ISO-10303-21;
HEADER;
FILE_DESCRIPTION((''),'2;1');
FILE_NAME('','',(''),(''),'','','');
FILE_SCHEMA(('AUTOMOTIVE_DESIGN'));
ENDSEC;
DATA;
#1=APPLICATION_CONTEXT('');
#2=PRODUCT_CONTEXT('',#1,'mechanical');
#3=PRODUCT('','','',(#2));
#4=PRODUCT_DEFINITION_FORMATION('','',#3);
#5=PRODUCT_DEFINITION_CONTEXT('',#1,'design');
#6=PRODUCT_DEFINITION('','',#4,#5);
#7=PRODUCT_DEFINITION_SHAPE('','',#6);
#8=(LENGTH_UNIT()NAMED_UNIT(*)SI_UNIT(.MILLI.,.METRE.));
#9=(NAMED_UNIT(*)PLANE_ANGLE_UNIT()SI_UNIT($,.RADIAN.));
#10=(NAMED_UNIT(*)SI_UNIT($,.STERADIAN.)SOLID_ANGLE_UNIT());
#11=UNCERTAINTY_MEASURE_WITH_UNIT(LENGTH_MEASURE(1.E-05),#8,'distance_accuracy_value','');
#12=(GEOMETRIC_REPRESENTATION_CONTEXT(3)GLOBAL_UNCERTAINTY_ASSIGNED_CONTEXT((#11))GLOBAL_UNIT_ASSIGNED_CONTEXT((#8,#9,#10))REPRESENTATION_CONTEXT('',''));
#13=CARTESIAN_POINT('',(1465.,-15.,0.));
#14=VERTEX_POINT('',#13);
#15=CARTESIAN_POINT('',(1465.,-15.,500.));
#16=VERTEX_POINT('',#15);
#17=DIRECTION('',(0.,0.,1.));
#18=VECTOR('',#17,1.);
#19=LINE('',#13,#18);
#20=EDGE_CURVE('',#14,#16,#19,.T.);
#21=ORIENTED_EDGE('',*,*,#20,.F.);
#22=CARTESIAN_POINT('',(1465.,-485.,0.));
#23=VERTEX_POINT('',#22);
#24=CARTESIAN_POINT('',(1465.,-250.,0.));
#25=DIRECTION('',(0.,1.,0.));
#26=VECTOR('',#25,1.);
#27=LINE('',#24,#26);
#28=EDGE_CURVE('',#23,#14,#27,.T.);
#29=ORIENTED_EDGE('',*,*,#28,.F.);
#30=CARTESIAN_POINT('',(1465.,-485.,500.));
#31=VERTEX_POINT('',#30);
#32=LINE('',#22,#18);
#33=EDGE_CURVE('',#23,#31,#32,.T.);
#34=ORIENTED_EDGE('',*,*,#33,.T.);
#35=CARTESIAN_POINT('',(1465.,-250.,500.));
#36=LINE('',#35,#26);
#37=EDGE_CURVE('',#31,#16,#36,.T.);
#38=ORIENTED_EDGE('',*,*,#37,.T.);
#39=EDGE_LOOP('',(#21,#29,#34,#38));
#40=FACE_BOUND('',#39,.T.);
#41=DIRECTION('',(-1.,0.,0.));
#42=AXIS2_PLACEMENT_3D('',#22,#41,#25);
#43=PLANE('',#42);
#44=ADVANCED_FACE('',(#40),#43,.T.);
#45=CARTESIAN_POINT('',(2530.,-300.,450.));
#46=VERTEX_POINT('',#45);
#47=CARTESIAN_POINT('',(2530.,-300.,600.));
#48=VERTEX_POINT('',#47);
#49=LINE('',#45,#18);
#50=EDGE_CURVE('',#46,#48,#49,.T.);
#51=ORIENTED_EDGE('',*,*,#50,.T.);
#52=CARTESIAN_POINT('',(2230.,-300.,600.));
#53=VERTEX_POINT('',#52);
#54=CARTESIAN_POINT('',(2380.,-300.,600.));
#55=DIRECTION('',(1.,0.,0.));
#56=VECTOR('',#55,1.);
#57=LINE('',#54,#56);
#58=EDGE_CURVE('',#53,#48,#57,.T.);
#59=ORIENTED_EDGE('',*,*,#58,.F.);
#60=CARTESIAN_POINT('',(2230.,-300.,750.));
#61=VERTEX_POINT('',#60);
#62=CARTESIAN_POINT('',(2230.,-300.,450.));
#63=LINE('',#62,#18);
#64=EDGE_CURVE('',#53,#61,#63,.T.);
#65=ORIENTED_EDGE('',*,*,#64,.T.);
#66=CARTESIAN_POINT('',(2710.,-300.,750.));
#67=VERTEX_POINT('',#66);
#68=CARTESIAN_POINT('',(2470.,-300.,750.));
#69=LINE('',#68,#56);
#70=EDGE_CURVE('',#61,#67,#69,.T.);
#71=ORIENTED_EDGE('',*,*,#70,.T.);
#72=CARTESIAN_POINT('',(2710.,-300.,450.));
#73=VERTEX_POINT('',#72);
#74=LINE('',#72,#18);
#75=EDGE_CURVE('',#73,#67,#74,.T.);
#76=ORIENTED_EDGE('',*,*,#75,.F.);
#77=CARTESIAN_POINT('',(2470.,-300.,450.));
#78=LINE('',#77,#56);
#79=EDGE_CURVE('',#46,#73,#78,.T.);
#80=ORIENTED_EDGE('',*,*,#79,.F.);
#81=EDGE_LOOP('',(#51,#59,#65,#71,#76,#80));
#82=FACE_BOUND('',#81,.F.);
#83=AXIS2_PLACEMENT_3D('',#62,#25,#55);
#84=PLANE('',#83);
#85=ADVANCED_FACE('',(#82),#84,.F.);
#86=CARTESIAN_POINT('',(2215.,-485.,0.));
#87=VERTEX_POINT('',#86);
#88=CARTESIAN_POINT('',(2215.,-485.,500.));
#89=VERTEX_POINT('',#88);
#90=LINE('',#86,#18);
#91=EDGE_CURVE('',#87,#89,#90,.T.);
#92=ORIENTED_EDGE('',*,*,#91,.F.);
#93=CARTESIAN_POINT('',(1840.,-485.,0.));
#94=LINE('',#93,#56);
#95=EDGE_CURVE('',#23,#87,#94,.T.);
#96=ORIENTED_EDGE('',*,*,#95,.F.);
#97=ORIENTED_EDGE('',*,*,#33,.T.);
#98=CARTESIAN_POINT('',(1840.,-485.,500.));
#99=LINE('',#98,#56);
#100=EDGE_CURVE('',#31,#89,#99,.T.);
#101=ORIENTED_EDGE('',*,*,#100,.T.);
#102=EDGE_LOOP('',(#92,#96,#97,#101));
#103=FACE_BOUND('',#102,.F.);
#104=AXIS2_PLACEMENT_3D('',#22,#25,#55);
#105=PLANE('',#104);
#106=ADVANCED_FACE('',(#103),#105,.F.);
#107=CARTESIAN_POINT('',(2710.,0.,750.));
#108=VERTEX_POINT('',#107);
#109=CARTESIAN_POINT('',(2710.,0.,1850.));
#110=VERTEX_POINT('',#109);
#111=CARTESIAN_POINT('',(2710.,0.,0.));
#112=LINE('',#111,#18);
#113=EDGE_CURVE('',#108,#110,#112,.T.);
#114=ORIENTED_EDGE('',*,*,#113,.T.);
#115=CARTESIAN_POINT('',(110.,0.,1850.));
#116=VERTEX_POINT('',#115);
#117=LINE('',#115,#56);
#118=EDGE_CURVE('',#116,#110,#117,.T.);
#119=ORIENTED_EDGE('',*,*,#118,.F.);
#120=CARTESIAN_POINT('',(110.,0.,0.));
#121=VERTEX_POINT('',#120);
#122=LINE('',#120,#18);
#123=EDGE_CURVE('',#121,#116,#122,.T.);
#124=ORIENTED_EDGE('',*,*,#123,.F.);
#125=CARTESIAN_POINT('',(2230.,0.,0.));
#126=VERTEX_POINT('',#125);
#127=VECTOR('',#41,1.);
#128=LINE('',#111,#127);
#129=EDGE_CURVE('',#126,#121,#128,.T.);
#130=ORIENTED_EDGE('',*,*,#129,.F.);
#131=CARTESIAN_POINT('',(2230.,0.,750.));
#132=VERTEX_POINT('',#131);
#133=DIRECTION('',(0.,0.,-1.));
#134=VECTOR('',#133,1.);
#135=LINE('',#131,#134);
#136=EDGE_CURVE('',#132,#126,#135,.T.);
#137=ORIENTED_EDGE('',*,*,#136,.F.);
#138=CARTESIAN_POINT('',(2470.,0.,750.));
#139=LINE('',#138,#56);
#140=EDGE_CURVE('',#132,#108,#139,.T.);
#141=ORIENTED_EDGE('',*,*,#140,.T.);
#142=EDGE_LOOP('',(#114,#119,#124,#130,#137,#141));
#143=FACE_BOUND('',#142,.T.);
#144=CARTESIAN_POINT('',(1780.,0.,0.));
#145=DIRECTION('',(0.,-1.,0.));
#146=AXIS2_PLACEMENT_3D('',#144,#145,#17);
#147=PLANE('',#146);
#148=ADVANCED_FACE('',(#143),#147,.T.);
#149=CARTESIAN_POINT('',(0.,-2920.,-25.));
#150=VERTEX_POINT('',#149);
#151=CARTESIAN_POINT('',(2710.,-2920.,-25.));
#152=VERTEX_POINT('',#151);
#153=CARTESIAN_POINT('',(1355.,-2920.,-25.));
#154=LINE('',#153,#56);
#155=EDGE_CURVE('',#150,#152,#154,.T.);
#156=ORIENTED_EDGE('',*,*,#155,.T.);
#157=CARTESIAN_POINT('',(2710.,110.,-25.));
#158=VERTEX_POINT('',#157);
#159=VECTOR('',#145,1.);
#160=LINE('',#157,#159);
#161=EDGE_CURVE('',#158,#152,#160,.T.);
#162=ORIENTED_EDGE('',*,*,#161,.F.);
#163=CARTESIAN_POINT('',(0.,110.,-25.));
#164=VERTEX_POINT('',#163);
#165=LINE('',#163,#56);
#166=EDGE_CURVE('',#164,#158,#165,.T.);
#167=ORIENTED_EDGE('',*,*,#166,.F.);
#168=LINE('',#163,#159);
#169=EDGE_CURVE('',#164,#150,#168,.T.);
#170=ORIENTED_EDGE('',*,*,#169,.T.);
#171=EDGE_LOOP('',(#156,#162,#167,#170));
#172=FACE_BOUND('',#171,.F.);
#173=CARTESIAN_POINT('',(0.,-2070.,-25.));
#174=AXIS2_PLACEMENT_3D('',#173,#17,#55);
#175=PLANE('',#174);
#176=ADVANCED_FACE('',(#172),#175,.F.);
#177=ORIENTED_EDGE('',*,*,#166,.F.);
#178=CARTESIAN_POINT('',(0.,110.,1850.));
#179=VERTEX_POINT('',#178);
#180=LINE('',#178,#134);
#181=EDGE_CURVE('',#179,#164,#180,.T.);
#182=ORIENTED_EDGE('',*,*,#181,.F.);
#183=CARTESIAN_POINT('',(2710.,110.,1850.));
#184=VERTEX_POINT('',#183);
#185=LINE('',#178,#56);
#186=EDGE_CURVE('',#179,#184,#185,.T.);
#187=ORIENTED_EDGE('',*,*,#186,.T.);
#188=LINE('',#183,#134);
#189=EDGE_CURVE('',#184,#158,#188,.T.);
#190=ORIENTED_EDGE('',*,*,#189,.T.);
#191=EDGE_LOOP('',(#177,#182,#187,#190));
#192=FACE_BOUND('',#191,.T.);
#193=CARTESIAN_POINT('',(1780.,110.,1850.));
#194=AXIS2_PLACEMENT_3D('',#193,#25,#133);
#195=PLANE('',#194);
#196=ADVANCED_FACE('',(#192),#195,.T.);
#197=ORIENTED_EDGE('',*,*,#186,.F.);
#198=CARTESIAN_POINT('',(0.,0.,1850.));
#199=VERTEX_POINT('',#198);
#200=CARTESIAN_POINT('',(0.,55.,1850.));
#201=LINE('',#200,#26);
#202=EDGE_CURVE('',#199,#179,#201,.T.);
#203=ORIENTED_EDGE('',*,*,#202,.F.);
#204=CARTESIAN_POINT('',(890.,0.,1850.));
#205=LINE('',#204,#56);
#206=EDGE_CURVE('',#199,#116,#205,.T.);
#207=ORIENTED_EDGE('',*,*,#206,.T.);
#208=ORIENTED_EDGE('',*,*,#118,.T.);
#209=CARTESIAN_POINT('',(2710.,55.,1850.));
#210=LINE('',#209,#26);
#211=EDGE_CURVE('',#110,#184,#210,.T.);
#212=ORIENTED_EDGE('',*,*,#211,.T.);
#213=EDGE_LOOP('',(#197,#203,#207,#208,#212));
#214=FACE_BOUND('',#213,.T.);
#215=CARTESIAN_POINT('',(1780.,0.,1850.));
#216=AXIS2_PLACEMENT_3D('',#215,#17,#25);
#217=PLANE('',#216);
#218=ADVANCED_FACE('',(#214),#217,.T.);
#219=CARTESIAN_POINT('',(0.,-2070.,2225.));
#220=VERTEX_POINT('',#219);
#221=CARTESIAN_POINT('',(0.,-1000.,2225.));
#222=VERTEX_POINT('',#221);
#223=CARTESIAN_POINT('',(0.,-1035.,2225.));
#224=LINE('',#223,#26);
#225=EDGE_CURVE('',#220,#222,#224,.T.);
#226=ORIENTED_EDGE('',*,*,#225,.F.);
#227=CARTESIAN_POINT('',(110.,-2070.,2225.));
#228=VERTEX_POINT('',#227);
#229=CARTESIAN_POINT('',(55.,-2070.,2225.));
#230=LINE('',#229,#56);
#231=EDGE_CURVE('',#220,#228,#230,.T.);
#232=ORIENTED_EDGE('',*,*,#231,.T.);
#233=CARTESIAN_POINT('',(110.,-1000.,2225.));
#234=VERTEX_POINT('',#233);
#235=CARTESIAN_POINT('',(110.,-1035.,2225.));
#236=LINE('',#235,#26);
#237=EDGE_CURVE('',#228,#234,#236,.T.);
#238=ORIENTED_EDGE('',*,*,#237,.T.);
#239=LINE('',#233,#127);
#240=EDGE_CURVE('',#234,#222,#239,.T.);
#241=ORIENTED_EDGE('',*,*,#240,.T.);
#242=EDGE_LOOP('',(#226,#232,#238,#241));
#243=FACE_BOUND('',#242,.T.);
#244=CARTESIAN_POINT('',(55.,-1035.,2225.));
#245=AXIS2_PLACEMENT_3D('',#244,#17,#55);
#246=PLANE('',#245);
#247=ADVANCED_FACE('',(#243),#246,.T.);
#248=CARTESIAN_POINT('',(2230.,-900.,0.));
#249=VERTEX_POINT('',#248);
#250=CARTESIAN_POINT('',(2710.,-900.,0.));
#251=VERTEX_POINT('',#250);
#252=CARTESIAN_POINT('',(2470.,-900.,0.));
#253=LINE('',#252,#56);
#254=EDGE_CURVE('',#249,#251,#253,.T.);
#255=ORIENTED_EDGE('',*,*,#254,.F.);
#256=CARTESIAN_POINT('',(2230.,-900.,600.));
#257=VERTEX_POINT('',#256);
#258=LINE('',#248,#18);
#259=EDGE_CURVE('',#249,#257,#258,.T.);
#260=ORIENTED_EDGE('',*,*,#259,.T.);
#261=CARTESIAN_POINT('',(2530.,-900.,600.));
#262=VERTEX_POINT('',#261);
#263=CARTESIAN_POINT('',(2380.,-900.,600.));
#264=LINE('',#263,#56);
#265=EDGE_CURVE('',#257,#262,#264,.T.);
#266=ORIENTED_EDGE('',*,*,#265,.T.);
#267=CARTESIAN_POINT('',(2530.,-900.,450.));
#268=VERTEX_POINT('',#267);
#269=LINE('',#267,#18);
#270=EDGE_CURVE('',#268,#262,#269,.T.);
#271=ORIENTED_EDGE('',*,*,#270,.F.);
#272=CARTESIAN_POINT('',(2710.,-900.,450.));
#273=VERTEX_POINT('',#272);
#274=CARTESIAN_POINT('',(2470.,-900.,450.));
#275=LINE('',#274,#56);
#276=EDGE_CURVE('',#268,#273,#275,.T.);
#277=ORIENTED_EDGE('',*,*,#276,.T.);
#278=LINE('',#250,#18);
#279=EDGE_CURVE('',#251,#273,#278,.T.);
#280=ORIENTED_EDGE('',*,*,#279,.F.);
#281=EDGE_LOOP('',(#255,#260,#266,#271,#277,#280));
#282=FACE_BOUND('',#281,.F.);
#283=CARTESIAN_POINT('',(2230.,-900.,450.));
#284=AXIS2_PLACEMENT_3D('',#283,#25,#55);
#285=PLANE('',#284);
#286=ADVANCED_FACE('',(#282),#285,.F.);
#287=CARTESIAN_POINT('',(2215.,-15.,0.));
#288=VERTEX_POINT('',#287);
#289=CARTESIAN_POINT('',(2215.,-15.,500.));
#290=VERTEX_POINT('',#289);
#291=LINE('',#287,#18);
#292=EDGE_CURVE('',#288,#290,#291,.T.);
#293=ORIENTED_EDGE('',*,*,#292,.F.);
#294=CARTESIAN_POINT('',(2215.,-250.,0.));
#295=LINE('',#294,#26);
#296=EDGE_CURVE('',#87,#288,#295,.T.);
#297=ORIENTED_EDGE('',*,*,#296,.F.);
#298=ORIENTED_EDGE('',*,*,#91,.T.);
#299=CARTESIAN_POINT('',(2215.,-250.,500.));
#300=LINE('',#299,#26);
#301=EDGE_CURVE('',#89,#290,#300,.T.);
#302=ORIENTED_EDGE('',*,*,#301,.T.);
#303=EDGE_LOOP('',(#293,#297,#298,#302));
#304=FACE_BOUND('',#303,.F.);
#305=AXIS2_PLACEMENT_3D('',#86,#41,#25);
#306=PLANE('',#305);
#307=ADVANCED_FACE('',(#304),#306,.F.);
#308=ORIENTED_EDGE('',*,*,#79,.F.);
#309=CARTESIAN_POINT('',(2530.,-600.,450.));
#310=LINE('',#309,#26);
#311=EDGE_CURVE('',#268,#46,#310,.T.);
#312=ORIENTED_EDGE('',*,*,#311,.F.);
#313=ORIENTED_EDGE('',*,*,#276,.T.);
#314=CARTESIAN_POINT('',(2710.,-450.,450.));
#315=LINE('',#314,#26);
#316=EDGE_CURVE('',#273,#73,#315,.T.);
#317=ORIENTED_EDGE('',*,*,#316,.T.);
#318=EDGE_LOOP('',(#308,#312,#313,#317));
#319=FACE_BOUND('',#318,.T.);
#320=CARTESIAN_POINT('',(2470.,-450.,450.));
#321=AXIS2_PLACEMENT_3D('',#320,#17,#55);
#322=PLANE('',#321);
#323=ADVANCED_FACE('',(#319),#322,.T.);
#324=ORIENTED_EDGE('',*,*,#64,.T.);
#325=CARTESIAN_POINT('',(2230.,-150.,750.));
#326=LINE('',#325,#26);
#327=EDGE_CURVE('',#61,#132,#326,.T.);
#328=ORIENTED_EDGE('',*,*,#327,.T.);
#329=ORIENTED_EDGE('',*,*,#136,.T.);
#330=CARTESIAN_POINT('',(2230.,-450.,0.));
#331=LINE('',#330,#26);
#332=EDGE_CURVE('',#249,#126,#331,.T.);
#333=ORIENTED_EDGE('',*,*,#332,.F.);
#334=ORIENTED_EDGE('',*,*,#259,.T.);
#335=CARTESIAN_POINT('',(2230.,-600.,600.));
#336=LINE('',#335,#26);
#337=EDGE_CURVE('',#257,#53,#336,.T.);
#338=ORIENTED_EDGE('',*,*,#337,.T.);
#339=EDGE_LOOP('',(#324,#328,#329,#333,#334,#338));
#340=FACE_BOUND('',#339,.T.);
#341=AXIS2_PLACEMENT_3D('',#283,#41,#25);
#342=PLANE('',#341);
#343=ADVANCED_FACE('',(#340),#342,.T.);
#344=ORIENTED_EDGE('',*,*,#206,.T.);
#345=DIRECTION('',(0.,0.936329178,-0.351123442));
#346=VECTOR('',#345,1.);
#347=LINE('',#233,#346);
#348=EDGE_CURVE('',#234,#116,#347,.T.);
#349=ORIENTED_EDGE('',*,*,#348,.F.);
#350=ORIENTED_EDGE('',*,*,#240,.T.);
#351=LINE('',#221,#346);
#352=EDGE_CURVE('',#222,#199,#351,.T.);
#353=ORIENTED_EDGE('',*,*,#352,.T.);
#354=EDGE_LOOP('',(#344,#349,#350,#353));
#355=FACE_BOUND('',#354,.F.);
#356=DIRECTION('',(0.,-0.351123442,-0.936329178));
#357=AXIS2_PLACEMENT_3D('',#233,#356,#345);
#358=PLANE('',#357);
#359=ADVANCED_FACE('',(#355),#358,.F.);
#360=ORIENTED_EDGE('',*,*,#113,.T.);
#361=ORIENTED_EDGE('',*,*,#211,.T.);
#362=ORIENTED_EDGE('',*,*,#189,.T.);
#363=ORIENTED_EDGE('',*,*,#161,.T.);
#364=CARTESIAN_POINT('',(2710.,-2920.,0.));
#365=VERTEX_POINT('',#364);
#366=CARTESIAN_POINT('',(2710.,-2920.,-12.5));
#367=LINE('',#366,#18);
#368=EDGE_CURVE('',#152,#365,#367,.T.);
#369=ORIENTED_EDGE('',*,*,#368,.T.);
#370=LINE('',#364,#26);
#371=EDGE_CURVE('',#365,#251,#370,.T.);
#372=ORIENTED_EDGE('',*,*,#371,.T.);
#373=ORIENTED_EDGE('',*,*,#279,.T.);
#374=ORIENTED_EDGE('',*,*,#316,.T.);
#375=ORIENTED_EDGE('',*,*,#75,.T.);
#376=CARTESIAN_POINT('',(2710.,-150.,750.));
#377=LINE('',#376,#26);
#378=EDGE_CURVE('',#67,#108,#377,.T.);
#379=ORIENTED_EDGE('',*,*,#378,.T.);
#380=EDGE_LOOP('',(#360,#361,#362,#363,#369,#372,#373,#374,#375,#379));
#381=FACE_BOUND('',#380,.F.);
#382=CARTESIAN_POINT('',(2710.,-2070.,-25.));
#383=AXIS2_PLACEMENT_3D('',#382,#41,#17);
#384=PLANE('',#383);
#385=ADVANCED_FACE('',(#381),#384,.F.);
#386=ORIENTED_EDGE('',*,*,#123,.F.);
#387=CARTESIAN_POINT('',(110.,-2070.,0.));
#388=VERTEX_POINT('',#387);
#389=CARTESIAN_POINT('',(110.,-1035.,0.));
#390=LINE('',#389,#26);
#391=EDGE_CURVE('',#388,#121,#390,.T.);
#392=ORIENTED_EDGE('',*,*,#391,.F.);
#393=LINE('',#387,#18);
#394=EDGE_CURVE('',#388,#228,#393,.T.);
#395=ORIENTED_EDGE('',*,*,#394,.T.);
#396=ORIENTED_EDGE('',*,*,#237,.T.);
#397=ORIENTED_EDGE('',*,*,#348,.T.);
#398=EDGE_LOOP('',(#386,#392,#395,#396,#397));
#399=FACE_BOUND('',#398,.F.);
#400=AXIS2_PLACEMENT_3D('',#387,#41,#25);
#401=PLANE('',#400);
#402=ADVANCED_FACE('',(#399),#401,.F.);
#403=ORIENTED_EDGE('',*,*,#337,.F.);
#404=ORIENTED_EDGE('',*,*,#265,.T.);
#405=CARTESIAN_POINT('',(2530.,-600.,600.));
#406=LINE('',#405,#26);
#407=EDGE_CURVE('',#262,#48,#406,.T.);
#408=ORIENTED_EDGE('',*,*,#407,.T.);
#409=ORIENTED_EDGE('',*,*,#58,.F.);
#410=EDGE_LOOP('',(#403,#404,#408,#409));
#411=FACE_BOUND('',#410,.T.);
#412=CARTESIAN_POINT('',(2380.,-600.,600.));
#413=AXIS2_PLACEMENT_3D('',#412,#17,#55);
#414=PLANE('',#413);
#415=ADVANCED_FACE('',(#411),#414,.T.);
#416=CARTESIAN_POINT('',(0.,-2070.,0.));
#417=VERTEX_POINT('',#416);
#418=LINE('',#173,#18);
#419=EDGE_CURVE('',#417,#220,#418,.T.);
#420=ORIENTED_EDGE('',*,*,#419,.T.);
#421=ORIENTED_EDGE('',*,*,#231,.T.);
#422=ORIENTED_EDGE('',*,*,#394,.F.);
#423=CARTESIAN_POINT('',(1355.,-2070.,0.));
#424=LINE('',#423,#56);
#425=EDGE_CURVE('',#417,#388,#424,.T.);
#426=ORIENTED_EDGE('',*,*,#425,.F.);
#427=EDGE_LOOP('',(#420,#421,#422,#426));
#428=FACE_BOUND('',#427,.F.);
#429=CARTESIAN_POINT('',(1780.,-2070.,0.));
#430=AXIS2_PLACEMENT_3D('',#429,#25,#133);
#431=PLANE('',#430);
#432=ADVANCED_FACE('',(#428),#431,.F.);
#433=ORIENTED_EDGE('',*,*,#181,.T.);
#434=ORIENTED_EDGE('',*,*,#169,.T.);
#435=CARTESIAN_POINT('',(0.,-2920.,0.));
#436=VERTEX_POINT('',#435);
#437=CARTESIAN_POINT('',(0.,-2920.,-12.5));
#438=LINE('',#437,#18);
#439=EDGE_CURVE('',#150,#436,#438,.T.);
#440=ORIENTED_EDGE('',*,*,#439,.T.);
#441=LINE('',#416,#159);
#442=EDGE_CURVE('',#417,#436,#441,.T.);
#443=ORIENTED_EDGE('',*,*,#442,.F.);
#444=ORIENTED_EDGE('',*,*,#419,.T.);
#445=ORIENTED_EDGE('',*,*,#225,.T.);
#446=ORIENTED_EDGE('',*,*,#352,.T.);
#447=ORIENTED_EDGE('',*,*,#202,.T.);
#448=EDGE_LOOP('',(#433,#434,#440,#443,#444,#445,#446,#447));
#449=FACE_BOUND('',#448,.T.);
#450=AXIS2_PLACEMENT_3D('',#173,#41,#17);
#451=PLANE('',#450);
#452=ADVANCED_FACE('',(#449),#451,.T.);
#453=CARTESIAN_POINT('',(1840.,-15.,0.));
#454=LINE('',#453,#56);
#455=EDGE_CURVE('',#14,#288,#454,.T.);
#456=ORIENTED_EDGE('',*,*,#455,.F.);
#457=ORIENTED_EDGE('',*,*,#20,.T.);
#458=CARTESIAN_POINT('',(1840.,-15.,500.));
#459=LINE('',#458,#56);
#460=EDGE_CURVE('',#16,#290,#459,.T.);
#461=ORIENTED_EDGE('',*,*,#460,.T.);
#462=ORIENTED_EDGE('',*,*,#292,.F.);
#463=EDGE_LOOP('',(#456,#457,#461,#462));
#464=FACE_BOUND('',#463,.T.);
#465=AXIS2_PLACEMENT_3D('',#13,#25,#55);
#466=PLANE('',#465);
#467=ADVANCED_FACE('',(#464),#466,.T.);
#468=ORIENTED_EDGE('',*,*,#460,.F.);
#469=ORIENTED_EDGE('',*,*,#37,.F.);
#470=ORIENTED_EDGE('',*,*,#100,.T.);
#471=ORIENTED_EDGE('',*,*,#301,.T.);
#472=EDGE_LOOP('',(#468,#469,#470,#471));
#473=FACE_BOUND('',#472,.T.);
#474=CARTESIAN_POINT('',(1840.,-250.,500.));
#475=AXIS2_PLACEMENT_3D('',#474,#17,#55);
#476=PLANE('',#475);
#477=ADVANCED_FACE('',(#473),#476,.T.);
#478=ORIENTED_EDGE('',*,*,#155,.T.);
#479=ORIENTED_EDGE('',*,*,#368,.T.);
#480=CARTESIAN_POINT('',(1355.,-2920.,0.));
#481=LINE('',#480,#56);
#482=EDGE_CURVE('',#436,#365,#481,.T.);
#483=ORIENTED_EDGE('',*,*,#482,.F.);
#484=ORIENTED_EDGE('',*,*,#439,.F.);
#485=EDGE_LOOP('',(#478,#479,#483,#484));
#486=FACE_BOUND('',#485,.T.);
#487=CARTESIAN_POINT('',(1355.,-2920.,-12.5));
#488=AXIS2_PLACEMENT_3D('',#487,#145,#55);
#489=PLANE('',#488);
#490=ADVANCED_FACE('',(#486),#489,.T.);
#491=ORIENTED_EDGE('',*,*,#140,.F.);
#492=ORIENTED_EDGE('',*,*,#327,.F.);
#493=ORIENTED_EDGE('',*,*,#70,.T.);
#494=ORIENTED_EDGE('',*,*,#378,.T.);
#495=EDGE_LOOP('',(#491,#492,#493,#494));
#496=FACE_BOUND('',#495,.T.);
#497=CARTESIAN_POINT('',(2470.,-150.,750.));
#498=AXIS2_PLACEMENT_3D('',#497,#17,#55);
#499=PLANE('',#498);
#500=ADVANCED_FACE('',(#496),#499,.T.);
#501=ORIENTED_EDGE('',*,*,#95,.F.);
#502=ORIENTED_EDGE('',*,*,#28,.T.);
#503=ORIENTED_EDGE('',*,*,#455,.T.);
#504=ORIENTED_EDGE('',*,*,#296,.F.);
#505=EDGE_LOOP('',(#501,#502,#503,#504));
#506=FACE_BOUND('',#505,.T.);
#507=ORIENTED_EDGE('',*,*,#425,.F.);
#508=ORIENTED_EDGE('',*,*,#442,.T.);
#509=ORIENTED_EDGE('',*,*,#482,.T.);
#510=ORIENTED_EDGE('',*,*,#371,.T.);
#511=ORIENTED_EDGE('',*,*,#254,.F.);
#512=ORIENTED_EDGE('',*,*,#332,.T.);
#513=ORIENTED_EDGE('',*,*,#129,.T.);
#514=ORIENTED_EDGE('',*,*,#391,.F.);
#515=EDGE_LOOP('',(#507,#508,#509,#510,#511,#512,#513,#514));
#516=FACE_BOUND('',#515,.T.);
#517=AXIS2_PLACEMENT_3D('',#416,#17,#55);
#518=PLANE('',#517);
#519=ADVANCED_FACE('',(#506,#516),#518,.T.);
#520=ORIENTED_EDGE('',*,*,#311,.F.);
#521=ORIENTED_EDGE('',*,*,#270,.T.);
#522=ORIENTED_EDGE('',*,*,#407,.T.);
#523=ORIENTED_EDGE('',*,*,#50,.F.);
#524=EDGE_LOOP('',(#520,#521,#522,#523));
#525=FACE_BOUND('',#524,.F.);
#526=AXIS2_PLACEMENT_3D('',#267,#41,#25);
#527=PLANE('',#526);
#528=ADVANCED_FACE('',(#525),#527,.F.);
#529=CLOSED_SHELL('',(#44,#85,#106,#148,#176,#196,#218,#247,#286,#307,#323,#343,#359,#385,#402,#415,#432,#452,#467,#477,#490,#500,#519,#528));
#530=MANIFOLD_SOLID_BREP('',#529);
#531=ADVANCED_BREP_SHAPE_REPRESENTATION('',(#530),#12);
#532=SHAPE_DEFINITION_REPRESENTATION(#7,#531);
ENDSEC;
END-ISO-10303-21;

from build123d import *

# Parameters (mm, degrees)
F0_W      = 110
F0_H      = 2070
F1_DEPTH  = 2225
F2_W      = 1780
F2_H      = 110
F3_DEPTH  = 1850
F5_DEPTH  = 110
F6_W      = 1780
F6_H      = 2180
F7_DEPTH  = 25
F8_DEPTH  = 930
F9_W      = 480
F9_H      = 900
F10_DEPTH = 450
F11_W     = 480
F11_H     = 300
F12_DEPTH = 300
F13_W     = 300
F13_H     = 600
F14_DEPTH = 150
F15_W     = 750
F15_H     = 470
F16_DEPTH = 500
F17_W     = 2710
F17_H     = 25
F18_DEPTH = 850


with BuildPart() as f1:
    # F0 (on Top) → F1 (new body)
    with BuildSketch(Plane.XY):
        with Locations((55, -1035)):
            Rectangle(F0_W, F0_H)
    extrude(amount=F1_DEPTH)

    # F2 (on Top) → F3 (join)
    with BuildSketch(Plane.XY):
        with Locations((890, 55)):
            Rectangle(F2_W, F2_H)
    extrude(amount=F3_DEPTH)

    # F4 (on face) → F5 (cut)
    with BuildSketch(Plane.YZ.offset(110)):
        Polygon((-1000, 2225), (0, 1850), (0, 2225), align=None)
    extrude(amount=-F5_DEPTH, mode=Mode.SUBTRACT)

    # F6 (on face) → F7 (join)
    with BuildSketch(Plane(origin=(0, 0, 0), x_dir=(1, 0, 0), z_dir=(0, 0, -1))):
        with Locations((890, 980)):
            Rectangle(F6_W, F6_H)
    extrude(amount=F7_DEPTH)

    # F8 (add): a face of the model
    f8_faces = [f1.faces().sort_by_distance(p)[0] for p in [
        (1780, 28.7541736101, 925),
    ]]
    extrude(f8_faces, amount=F8_DEPTH)

    # F9 (on face) → F10 (join)
    with BuildSketch(Plane.XY):
        with Locations((2470, -450)):
            Rectangle(F9_W, F9_H)
    extrude(amount=F10_DEPTH)

    # F11 (on face) → F12 (join)
    with BuildSketch(Plane.XY.offset(450)):
        with Locations((2470, -150)):
            Rectangle(F11_W, F11_H)
    extrude(amount=F12_DEPTH)

    # F13 (on face) → F14 (join)
    with BuildSketch(Plane.XY.offset(450)):
        with Locations((2380, -600)):
            Rectangle(F13_W, F13_H)
    extrude(amount=F14_DEPTH)

    # F15 (on face) → F16 (join)
    with BuildSketch(Plane.XY):
        with Locations((1840, -250)):
            Rectangle(F15_W, F15_H)
    extrude(amount=F16_DEPTH)

    # F17 (on face) → F18 (join)
    with BuildSketch(Plane.XZ.offset(2070)):
        with Locations((1355, -12.5)):
            Rectangle(F17_W, F17_H)
    extrude(amount=F18_DEPTH)


solid = f1.part
